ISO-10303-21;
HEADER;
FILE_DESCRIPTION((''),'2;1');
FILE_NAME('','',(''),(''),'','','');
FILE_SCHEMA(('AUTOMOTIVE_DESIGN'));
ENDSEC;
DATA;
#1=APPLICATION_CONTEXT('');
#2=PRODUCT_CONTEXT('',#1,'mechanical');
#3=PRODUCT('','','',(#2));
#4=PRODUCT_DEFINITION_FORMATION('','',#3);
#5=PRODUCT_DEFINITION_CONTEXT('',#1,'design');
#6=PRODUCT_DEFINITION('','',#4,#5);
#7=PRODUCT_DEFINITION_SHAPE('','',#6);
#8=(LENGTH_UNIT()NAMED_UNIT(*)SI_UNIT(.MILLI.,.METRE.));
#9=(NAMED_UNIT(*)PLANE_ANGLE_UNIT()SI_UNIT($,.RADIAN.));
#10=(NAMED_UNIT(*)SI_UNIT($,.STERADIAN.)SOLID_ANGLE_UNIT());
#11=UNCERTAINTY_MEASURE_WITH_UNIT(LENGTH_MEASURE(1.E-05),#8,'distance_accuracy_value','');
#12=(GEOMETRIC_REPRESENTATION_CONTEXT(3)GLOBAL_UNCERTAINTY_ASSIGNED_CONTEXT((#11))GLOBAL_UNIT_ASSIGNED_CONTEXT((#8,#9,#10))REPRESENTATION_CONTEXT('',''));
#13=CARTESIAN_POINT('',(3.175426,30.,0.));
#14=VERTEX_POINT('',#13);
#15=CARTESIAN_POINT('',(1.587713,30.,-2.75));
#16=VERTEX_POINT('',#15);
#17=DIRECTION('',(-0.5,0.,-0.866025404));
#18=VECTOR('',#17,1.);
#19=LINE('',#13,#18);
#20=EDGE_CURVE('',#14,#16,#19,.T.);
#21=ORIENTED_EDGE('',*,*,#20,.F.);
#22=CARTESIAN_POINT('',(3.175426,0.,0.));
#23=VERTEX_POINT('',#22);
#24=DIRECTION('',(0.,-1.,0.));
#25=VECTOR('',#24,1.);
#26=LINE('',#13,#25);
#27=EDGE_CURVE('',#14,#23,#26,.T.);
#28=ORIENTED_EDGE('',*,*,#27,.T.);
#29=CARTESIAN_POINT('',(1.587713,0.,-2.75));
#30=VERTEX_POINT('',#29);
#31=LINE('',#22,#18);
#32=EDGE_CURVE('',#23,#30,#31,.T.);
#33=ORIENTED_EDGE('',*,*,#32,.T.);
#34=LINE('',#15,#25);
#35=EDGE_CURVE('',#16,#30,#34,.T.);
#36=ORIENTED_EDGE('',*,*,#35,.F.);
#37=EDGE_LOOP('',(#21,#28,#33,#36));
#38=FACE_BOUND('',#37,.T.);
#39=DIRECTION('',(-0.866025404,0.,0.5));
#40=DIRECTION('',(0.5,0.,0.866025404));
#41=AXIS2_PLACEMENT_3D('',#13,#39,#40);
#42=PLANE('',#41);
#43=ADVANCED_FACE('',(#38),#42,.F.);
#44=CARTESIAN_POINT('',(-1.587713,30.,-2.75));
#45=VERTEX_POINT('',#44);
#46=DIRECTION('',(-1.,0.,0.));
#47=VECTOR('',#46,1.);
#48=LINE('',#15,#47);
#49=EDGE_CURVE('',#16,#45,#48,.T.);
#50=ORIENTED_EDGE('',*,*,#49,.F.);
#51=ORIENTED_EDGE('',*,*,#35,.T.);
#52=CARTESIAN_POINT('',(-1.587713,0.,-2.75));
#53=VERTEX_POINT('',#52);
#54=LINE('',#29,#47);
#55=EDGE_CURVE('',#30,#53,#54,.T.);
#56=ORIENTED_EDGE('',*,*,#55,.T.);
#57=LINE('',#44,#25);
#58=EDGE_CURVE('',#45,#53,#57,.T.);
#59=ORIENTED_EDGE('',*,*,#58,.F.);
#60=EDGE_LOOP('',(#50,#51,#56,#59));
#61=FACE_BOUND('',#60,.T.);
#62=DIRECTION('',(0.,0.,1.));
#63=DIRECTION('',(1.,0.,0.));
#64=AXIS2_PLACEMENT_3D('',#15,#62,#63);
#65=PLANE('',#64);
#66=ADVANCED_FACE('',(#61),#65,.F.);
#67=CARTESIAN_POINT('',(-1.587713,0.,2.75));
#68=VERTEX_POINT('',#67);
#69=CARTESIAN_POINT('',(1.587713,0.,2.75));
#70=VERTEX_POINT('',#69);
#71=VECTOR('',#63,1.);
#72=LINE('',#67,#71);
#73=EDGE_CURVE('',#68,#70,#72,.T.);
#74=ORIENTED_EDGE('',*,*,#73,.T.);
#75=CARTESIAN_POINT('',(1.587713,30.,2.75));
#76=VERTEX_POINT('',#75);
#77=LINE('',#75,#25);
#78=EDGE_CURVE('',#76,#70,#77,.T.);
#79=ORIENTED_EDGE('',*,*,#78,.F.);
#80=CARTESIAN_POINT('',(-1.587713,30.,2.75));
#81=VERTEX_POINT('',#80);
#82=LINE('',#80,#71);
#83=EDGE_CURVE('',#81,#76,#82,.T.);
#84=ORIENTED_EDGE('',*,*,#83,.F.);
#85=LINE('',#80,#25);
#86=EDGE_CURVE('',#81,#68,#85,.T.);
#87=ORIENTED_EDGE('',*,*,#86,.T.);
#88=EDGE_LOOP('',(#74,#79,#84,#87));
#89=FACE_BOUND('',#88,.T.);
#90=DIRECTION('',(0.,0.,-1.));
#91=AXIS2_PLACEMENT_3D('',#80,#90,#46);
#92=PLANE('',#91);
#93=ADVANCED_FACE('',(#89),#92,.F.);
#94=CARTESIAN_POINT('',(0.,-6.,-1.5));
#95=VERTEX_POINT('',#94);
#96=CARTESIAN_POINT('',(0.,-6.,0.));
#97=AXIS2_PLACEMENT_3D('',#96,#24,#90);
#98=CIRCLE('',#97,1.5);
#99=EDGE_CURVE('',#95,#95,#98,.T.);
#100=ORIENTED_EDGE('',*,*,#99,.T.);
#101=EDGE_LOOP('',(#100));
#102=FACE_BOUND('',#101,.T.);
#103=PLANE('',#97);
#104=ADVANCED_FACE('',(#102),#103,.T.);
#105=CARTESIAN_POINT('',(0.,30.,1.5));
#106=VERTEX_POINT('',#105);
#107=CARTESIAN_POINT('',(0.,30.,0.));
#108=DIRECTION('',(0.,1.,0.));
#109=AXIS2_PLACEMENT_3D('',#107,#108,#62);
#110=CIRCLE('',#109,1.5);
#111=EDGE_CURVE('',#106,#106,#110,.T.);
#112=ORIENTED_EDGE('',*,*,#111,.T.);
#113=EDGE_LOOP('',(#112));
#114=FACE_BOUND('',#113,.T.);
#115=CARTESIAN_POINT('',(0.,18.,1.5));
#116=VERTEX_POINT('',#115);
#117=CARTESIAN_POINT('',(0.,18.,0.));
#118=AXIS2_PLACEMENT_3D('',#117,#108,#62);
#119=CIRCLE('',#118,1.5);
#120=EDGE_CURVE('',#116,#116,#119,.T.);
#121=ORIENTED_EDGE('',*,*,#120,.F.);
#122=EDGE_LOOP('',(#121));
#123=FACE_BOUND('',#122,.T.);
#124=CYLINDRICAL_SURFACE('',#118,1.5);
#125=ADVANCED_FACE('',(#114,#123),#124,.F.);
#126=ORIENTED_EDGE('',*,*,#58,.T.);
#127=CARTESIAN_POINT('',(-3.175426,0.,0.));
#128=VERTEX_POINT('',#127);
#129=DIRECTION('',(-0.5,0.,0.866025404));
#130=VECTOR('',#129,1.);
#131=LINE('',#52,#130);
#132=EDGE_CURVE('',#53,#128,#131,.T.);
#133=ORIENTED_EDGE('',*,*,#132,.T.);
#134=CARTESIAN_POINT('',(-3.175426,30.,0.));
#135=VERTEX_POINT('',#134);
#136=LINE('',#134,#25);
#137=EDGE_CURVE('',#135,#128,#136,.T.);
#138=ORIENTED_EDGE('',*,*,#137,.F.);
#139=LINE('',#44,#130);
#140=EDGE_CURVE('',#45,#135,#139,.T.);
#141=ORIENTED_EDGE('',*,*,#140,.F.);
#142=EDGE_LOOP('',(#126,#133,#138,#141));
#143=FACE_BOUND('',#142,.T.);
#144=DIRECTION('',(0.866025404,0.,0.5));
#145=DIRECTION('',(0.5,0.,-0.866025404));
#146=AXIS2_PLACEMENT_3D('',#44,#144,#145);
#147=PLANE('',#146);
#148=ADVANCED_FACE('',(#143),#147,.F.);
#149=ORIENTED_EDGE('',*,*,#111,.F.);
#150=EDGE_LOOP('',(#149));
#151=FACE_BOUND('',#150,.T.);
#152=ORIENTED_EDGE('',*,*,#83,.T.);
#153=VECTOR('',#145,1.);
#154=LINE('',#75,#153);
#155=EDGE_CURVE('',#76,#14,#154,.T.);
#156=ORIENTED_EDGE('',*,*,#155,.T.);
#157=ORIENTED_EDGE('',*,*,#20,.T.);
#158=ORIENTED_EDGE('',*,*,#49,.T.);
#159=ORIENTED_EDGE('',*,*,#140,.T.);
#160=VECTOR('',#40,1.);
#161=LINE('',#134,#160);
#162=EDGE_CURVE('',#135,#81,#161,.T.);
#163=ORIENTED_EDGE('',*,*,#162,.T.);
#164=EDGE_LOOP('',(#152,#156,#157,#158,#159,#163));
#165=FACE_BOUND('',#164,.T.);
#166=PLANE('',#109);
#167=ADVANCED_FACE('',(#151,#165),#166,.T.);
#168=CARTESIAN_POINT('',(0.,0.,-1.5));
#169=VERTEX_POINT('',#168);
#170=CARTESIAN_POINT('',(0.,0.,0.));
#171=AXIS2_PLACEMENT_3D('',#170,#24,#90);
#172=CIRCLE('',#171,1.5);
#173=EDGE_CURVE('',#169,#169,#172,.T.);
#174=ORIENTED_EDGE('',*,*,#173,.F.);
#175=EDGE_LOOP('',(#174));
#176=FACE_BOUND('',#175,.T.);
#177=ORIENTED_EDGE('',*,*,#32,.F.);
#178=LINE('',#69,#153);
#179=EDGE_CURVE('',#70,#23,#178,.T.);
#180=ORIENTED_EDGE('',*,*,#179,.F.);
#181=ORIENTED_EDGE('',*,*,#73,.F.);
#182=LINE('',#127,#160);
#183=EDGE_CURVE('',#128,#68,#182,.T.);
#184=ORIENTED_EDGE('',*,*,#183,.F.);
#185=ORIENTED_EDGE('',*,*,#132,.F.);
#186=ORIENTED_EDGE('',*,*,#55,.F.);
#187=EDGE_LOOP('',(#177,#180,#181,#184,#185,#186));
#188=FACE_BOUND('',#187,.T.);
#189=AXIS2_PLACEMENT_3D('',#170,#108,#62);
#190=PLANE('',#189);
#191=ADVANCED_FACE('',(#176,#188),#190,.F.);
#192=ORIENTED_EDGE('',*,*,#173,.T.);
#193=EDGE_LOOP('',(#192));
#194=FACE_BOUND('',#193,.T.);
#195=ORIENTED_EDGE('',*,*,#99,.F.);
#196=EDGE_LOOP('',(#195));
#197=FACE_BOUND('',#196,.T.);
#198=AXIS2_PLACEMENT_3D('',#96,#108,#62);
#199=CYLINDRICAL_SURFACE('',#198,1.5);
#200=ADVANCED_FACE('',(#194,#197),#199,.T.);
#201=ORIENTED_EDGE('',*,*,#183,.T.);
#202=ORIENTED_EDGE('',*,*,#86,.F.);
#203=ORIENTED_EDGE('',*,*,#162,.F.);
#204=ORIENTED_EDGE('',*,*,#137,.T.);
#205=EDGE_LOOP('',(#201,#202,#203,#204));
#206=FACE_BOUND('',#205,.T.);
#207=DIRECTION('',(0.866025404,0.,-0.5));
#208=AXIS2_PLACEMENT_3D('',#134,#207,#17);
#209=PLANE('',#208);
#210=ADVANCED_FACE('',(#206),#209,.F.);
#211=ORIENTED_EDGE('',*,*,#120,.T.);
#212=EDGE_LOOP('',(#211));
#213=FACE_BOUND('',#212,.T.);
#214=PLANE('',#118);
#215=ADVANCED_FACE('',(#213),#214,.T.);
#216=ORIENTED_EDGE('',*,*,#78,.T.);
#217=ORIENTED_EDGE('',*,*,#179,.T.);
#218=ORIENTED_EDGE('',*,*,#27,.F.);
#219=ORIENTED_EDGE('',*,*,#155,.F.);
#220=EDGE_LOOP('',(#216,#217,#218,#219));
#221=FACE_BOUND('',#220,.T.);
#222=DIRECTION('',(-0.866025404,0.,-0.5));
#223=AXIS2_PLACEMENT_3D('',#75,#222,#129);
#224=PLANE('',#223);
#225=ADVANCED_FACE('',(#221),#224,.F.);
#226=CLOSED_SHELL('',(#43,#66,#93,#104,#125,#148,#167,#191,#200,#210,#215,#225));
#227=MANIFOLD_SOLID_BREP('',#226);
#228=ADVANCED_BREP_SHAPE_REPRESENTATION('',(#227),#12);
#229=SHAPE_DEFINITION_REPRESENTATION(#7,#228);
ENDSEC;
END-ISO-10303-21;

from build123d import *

# Parameters (mm, degrees)
BOSS_EXTRUDE1_DEPTH = 30
SKETCH2_R           = 1.5
CUT_EXTRUDE1_DEPTH  = 12
SKETCH3_R           = 1.5
BOSS_EXTRUDE2_DEPTH = 6


with BuildPart() as part:
    # Sketch1 → Boss-Extrude1 (new body)
    with BuildSketch(Plane(origin=(0, 0, 0), x_dir=(1, 0, 0), z_dir=(0, 1, 0))):
        Polygon((3.175426481, 0), (1.58771324, 2.75), (-1.58771324, 2.75), (-3.175426481, 0), (-1.58771324, -2.75), (1.58771324, -2.75), align=None)
    extrude(amount=BOSS_EXTRUDE1_DEPTH)

    # Sketch2 → Cut-Extrude1 (cut)
    with BuildSketch(Plane(origin=(0, 30, 0), x_dir=(1, 0, 0), z_dir=(0, 1, 0))):
        with Locations(Location((0, 0, 0), (0, 0, 270))):
            Circle(SKETCH2_R)
    extrude(amount=-CUT_EXTRUDE1_DEPTH, mode=Mode.SUBTRACT)

    # Sketch3 → Boss-Extrude2 (add)
    with BuildSketch(Plane(origin=(0, 0, 0), x_dir=(-1, 0, 0), z_dir=(0, -1, 0))):
        with Locations(Location((0, 0, 0), (0, 0, 270))):
            Circle(SKETCH3_R)
    extrude(amount=BOSS_EXTRUDE2_DEPTH)


solid = part.part
